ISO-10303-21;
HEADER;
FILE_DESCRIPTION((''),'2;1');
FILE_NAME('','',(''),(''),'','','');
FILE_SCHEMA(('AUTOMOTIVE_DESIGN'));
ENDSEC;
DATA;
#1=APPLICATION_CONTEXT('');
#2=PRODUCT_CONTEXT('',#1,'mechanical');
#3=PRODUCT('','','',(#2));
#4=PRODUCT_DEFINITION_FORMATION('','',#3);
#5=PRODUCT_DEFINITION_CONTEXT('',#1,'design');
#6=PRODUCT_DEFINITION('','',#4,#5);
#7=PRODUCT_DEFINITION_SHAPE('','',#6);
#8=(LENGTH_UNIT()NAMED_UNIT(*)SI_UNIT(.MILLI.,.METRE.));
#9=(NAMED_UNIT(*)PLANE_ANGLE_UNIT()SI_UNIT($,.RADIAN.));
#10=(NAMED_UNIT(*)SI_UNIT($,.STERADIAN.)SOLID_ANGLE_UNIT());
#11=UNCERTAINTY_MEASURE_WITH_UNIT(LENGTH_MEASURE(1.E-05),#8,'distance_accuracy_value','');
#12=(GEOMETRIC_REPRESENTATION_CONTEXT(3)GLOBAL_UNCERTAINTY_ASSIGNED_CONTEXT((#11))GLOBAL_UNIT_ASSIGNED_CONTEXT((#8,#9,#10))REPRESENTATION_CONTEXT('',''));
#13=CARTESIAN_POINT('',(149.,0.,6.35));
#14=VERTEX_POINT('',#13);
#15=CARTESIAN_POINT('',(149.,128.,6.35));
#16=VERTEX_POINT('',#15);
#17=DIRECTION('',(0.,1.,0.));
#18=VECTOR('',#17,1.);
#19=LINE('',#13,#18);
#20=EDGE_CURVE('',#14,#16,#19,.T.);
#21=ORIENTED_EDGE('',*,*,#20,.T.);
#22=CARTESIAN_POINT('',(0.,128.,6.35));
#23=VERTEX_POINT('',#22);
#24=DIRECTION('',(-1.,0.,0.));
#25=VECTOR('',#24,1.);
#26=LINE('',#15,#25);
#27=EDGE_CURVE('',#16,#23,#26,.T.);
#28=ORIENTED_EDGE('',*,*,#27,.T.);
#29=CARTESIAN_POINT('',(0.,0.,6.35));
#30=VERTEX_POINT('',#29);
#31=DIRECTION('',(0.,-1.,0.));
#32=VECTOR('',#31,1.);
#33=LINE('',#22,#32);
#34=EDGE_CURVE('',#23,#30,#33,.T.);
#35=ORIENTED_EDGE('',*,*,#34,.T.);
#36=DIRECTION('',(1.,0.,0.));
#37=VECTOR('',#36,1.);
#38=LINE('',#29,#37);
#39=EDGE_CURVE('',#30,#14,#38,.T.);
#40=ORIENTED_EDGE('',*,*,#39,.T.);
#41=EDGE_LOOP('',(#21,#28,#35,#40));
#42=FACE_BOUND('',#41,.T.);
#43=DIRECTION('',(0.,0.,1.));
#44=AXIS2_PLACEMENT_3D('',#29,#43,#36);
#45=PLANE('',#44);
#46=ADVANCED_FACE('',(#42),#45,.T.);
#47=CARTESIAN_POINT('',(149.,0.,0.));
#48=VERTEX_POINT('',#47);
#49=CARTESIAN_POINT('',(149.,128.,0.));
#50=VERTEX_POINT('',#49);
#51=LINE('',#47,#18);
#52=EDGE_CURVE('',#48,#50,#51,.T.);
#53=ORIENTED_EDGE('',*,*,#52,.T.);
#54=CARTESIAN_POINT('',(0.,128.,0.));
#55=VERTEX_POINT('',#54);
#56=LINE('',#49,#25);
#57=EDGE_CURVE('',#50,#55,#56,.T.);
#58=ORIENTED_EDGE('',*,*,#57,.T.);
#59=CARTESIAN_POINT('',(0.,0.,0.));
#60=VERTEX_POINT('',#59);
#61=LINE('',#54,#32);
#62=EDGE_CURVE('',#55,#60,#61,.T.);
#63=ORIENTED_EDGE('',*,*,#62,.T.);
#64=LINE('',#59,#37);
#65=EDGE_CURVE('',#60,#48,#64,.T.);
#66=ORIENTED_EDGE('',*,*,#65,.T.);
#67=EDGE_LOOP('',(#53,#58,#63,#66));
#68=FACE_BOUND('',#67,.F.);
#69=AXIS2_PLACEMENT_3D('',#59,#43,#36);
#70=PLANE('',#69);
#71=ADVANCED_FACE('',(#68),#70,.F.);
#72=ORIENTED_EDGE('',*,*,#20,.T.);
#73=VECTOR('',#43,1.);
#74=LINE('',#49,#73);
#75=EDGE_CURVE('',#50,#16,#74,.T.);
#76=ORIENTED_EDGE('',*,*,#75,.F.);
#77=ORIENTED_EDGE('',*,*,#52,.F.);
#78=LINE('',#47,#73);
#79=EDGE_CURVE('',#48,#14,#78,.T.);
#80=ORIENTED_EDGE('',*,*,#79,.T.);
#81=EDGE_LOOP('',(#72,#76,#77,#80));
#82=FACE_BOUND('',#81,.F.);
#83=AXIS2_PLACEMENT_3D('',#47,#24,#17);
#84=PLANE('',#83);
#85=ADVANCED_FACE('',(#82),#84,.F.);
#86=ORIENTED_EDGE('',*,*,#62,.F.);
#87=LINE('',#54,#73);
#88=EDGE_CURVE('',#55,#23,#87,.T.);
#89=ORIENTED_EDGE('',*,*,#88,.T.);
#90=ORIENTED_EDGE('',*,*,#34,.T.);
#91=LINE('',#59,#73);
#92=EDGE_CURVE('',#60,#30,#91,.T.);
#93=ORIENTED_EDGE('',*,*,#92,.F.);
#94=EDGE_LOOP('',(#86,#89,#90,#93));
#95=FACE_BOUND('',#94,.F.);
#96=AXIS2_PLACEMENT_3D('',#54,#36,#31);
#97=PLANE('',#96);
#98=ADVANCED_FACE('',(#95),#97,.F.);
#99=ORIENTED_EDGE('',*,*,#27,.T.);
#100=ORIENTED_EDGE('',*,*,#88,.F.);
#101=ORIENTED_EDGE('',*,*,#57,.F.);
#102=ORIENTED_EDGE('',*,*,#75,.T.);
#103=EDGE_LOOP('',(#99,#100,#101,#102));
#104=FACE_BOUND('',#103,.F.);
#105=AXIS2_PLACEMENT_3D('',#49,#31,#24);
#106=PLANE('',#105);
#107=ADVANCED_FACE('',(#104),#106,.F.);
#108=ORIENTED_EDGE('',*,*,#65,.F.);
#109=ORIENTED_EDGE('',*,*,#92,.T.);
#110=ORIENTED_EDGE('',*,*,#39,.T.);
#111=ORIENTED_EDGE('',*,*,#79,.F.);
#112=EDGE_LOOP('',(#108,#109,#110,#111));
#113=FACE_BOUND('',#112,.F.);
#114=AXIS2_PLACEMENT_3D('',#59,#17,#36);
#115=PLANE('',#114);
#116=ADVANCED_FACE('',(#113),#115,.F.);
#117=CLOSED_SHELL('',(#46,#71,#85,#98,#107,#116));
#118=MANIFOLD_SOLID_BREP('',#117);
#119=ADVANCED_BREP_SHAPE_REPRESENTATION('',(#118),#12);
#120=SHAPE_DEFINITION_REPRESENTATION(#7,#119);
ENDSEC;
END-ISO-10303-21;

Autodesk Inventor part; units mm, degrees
ref_plane "YZ Plane" through (0, 0, 0) normal (1, 0, 0) x (0, 1, 0)
ref_plane "XZ Plane" through (0, 0, 0) normal (0, 1, 0) x (-1, 0, 0)
ref_plane "XY Plane" through (0, 0, 0) normal (0, 0, 1) x (1, 0, 0)
sketch "Sketch1" plane through (0, 0, 0) normal (0, 0, 1) x (1, 0, 0)
  line L0 (0, 0) -> (149, 0)
  line L1 (149, 0) -> (149, 128)
  line L2 (149, 128) -> (0, 128)
  line L3 (0, 128) -> (0, 0)
  dimension "d0" = 149
  dimension "d3" = 128
extrude "Extrusion1" add sketch "Sketch1" along normal blind 6.35
properties part number "build platform"
